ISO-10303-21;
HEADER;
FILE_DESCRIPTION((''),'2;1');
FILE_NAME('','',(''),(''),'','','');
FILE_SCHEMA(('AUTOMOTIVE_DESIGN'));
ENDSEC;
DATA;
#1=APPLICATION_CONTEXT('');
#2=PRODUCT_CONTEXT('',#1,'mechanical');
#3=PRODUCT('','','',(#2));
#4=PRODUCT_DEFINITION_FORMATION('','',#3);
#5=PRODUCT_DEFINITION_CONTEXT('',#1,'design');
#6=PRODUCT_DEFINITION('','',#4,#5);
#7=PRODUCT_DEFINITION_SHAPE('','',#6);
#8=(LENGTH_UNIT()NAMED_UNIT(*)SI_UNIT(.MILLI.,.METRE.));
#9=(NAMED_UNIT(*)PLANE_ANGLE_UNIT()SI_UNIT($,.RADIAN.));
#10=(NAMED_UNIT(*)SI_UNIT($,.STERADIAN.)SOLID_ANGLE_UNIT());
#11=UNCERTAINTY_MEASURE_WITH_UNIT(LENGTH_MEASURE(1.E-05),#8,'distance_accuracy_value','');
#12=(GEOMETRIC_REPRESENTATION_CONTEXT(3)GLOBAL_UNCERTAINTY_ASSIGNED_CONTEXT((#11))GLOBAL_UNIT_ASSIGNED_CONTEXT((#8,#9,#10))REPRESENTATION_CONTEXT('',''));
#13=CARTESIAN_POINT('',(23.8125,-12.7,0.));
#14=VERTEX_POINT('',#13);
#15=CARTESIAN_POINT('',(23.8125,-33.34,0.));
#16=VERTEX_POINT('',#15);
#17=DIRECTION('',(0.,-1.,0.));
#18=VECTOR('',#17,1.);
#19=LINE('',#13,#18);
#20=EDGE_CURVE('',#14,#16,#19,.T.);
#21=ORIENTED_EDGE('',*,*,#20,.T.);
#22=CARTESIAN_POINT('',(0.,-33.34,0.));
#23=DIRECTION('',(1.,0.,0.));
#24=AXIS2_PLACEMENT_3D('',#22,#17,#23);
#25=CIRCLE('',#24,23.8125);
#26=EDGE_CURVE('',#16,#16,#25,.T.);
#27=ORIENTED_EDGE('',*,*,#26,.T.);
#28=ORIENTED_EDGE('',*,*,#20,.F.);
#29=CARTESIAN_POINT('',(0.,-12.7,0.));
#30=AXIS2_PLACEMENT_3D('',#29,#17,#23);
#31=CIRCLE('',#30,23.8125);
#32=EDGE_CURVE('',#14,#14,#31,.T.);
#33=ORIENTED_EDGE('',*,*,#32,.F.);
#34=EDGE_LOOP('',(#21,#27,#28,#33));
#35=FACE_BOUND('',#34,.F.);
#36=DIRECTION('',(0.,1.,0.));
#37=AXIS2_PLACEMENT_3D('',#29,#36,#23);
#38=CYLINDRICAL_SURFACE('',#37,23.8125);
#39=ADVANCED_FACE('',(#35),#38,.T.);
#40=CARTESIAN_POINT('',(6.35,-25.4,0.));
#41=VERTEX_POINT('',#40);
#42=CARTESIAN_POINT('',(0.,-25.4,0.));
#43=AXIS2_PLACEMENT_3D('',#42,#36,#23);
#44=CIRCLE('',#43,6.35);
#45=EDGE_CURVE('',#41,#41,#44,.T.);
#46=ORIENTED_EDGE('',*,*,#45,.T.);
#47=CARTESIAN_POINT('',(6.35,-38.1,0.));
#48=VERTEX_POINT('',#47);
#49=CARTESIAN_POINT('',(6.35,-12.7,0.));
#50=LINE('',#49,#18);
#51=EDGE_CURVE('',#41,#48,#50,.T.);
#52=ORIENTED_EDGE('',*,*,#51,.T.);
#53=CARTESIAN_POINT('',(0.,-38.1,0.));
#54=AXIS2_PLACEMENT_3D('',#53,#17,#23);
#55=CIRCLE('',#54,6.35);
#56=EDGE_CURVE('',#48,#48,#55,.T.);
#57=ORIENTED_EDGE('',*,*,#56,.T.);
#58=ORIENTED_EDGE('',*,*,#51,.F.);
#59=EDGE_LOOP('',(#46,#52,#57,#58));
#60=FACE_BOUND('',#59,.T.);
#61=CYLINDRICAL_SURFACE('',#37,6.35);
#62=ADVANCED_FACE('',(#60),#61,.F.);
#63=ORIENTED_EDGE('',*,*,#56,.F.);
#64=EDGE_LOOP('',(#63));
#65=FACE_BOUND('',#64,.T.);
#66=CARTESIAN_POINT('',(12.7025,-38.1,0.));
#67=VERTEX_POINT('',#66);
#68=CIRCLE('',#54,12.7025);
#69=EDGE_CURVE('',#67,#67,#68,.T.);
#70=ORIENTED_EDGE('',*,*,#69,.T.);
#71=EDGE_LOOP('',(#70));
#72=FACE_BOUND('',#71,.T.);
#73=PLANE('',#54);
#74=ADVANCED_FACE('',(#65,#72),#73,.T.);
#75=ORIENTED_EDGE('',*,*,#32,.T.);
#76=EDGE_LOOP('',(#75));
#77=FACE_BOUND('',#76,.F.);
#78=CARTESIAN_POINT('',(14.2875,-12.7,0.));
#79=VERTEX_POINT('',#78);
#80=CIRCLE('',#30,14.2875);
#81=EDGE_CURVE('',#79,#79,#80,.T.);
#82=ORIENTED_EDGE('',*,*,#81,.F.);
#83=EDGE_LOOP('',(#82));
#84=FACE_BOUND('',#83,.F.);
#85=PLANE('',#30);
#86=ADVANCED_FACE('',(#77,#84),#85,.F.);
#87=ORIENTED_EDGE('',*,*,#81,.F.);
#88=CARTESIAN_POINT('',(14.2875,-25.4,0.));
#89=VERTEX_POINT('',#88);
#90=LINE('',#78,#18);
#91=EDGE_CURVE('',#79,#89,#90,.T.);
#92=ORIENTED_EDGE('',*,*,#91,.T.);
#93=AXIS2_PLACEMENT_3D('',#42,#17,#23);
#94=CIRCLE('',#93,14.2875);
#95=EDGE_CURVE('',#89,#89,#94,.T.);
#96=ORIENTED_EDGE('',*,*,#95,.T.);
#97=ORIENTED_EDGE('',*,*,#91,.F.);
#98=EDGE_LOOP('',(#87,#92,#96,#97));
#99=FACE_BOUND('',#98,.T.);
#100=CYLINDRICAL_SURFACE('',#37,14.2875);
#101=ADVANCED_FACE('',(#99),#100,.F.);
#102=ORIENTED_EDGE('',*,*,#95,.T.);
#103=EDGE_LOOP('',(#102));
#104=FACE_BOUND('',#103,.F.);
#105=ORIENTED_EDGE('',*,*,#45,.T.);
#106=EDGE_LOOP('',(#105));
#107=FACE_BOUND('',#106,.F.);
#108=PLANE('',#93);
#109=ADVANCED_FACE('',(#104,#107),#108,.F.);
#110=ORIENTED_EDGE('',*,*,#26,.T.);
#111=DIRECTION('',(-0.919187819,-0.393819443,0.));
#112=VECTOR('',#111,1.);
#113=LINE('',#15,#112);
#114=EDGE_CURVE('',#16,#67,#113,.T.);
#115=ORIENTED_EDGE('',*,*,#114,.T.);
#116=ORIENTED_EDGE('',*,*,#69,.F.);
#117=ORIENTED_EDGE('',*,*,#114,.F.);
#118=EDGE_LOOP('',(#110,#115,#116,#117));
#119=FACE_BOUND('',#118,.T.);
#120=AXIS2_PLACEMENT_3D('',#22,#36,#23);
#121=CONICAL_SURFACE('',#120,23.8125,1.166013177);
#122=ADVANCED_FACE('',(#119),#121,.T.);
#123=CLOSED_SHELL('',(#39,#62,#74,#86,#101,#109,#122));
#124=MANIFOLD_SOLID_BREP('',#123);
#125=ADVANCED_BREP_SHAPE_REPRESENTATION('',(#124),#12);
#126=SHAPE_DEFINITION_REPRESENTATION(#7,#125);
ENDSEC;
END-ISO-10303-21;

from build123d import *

# Parameters (mm, degrees)
SKETCH050_R      = 14.2875
PAD049_DEPTH     = 12.7
SKETCH049_R      = 23.8125
SKETCH049_R_2    = 6.35
PAD050_DEPTH     = 25.4
CHAMFER003_SIZE2 = 11.11
CHAMFER003_SIZE  = 4.76


with BuildPart() as body048:
    # Sketch050 → Pad049 (new body)
    with BuildSketch(Plane.XZ):
        Circle(SKETCH050_R)
    extrude(amount=PAD049_DEPTH)


with BuildPart() as chamfer003:
    # Sketch049 → Pad050 (new body)
    with BuildSketch(Plane.XZ):
        Circle(SKETCH049_R)
        Circle(SKETCH049_R_2, mode=Mode.SUBTRACT)
    extrude(amount=PAD050_DEPTH)

    # Cut047: cut Body048
    add(body048.part, mode=Mode.SUBTRACT)

    # Chamfer003
    chamfer003_edges = [chamfer003.edges().sort_by_distance(p)[0] for p in [
        (-23.8125, -25.4, 0),
    ]]
    chamfer003_side = chamfer003.faces().sort_by_distance((-23.8125, -12.7, 0))[0]
    chamfer(chamfer003_edges, length=CHAMFER003_SIZE, length2=CHAMFER003_SIZE2, reference=chamfer003_side)


with BuildPart() as chamfer003_1:
    # Chamfer003 placement: moved
    add(chamfer003.part.moved(Location((0, -12.7, 0))))


solid = chamfer003_1.part
